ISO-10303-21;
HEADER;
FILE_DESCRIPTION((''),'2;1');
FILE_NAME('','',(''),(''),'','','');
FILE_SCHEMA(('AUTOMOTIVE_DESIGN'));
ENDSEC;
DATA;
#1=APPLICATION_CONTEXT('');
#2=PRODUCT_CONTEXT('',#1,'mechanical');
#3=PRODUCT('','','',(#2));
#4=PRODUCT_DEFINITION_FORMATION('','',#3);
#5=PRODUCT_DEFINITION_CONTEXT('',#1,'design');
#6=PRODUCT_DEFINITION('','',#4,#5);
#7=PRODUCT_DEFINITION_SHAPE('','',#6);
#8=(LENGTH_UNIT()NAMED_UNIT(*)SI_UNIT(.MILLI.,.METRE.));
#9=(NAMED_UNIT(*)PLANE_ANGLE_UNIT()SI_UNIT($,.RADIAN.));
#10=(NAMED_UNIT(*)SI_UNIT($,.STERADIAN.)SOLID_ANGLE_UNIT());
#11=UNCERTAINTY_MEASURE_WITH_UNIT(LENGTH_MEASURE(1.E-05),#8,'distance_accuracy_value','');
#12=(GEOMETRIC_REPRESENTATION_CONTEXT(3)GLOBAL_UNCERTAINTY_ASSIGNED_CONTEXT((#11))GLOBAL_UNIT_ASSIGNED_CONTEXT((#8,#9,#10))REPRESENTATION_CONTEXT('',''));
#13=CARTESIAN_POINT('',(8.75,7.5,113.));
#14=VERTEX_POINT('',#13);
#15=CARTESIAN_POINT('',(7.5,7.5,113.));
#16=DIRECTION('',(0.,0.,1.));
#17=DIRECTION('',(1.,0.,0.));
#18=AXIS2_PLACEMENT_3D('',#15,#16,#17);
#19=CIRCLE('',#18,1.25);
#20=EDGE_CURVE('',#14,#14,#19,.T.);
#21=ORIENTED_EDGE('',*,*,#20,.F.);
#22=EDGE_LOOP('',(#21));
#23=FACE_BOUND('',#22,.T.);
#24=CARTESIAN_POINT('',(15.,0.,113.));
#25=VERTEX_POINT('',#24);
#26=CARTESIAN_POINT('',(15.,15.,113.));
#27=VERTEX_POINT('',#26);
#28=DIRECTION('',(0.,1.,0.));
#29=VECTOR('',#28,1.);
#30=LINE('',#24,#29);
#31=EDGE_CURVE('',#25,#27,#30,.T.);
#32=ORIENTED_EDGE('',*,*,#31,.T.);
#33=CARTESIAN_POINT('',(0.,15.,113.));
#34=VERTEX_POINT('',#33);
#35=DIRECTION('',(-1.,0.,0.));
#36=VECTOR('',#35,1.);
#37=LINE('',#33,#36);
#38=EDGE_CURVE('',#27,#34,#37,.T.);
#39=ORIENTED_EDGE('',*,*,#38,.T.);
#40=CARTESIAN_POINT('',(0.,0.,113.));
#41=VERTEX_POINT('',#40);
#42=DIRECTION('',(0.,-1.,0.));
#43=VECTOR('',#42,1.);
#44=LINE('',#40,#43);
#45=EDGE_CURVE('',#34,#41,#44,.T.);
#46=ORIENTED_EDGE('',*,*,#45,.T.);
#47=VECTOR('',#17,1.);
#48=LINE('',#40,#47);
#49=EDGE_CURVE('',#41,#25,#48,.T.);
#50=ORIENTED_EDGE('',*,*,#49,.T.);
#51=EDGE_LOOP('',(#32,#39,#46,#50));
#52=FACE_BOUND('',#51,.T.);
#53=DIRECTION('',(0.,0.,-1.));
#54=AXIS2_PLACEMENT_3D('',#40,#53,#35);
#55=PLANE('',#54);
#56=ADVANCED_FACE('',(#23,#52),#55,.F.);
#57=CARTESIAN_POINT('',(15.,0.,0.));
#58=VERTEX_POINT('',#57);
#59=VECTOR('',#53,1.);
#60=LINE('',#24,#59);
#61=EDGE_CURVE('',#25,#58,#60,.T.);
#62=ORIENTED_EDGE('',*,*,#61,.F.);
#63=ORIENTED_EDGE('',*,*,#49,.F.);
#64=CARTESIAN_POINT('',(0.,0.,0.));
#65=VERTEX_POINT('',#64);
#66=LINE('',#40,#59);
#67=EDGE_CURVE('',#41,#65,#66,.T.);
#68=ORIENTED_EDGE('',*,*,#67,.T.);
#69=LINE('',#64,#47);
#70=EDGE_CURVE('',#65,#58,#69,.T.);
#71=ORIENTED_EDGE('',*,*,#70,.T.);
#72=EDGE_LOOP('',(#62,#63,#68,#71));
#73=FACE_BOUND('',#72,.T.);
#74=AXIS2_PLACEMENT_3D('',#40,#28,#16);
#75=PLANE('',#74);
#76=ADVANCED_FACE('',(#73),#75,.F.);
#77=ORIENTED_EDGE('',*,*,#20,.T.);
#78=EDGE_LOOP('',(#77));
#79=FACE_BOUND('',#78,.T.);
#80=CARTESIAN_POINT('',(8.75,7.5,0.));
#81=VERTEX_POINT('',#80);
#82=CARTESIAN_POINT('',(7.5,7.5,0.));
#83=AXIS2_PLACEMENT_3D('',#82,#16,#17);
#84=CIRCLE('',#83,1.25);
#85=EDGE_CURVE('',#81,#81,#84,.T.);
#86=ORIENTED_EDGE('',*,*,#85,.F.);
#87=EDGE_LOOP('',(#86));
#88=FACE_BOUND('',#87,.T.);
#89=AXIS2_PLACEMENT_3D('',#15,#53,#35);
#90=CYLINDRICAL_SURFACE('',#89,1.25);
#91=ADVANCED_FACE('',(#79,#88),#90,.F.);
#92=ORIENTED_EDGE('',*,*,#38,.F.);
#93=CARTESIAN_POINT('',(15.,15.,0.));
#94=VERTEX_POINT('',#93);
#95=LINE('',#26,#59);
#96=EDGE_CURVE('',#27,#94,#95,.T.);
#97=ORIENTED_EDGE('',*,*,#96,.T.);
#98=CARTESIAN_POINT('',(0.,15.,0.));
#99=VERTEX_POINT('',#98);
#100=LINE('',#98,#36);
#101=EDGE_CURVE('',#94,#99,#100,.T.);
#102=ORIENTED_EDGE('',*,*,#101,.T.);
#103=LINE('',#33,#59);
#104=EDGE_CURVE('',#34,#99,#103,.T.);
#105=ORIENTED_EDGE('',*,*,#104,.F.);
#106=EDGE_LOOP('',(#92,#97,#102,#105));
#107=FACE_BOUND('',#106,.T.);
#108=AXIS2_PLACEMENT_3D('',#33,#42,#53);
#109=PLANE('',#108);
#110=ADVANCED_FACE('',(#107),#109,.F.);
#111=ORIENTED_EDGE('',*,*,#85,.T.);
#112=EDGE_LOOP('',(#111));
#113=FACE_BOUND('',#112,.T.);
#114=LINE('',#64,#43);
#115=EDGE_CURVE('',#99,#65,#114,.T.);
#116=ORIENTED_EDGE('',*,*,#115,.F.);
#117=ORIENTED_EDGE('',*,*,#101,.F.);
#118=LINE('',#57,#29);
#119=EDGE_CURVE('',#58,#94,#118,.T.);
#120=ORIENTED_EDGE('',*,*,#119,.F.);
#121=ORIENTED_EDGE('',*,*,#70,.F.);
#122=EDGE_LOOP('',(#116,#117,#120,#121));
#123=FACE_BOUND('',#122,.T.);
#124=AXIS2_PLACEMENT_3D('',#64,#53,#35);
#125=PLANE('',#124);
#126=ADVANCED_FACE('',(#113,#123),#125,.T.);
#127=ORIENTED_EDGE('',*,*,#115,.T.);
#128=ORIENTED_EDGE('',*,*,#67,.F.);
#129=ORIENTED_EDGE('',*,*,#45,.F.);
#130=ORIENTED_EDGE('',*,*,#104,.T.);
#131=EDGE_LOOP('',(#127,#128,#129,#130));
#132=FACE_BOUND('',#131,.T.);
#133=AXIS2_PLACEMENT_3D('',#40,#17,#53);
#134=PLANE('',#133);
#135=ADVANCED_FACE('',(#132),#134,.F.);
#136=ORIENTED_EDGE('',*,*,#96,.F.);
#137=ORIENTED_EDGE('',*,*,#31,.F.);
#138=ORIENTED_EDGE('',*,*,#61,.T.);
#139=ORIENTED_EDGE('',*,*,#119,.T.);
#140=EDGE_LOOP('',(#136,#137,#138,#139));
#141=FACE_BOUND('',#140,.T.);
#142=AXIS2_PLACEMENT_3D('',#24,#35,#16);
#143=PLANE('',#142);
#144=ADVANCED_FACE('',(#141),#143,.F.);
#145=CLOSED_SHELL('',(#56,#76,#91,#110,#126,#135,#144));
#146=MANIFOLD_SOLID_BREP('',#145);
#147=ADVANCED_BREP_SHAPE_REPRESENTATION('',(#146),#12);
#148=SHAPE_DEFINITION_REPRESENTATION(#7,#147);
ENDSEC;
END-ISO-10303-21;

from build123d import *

# Parameters (mm, degrees)
ESQUISSE1_W        = 15
ESQUISSE1_H        = 15
ESQUISSE1_R        = 1.25
BOSS_EXTRU_1_DEPTH = 113


with BuildPart() as part:
    # Esquisse1 → Boss.-Extru.1 (new body)
    with BuildSketch(Plane.XY):
        with Locations((7.5, 7.5)):
            Rectangle(ESQUISSE1_W, ESQUISSE1_H)
        with Locations((7.5, 7.5)):
            Circle(ESQUISSE1_R, mode=Mode.SUBTRACT)
    extrude(amount=BOSS_EXTRU_1_DEPTH)


solid = part.part
